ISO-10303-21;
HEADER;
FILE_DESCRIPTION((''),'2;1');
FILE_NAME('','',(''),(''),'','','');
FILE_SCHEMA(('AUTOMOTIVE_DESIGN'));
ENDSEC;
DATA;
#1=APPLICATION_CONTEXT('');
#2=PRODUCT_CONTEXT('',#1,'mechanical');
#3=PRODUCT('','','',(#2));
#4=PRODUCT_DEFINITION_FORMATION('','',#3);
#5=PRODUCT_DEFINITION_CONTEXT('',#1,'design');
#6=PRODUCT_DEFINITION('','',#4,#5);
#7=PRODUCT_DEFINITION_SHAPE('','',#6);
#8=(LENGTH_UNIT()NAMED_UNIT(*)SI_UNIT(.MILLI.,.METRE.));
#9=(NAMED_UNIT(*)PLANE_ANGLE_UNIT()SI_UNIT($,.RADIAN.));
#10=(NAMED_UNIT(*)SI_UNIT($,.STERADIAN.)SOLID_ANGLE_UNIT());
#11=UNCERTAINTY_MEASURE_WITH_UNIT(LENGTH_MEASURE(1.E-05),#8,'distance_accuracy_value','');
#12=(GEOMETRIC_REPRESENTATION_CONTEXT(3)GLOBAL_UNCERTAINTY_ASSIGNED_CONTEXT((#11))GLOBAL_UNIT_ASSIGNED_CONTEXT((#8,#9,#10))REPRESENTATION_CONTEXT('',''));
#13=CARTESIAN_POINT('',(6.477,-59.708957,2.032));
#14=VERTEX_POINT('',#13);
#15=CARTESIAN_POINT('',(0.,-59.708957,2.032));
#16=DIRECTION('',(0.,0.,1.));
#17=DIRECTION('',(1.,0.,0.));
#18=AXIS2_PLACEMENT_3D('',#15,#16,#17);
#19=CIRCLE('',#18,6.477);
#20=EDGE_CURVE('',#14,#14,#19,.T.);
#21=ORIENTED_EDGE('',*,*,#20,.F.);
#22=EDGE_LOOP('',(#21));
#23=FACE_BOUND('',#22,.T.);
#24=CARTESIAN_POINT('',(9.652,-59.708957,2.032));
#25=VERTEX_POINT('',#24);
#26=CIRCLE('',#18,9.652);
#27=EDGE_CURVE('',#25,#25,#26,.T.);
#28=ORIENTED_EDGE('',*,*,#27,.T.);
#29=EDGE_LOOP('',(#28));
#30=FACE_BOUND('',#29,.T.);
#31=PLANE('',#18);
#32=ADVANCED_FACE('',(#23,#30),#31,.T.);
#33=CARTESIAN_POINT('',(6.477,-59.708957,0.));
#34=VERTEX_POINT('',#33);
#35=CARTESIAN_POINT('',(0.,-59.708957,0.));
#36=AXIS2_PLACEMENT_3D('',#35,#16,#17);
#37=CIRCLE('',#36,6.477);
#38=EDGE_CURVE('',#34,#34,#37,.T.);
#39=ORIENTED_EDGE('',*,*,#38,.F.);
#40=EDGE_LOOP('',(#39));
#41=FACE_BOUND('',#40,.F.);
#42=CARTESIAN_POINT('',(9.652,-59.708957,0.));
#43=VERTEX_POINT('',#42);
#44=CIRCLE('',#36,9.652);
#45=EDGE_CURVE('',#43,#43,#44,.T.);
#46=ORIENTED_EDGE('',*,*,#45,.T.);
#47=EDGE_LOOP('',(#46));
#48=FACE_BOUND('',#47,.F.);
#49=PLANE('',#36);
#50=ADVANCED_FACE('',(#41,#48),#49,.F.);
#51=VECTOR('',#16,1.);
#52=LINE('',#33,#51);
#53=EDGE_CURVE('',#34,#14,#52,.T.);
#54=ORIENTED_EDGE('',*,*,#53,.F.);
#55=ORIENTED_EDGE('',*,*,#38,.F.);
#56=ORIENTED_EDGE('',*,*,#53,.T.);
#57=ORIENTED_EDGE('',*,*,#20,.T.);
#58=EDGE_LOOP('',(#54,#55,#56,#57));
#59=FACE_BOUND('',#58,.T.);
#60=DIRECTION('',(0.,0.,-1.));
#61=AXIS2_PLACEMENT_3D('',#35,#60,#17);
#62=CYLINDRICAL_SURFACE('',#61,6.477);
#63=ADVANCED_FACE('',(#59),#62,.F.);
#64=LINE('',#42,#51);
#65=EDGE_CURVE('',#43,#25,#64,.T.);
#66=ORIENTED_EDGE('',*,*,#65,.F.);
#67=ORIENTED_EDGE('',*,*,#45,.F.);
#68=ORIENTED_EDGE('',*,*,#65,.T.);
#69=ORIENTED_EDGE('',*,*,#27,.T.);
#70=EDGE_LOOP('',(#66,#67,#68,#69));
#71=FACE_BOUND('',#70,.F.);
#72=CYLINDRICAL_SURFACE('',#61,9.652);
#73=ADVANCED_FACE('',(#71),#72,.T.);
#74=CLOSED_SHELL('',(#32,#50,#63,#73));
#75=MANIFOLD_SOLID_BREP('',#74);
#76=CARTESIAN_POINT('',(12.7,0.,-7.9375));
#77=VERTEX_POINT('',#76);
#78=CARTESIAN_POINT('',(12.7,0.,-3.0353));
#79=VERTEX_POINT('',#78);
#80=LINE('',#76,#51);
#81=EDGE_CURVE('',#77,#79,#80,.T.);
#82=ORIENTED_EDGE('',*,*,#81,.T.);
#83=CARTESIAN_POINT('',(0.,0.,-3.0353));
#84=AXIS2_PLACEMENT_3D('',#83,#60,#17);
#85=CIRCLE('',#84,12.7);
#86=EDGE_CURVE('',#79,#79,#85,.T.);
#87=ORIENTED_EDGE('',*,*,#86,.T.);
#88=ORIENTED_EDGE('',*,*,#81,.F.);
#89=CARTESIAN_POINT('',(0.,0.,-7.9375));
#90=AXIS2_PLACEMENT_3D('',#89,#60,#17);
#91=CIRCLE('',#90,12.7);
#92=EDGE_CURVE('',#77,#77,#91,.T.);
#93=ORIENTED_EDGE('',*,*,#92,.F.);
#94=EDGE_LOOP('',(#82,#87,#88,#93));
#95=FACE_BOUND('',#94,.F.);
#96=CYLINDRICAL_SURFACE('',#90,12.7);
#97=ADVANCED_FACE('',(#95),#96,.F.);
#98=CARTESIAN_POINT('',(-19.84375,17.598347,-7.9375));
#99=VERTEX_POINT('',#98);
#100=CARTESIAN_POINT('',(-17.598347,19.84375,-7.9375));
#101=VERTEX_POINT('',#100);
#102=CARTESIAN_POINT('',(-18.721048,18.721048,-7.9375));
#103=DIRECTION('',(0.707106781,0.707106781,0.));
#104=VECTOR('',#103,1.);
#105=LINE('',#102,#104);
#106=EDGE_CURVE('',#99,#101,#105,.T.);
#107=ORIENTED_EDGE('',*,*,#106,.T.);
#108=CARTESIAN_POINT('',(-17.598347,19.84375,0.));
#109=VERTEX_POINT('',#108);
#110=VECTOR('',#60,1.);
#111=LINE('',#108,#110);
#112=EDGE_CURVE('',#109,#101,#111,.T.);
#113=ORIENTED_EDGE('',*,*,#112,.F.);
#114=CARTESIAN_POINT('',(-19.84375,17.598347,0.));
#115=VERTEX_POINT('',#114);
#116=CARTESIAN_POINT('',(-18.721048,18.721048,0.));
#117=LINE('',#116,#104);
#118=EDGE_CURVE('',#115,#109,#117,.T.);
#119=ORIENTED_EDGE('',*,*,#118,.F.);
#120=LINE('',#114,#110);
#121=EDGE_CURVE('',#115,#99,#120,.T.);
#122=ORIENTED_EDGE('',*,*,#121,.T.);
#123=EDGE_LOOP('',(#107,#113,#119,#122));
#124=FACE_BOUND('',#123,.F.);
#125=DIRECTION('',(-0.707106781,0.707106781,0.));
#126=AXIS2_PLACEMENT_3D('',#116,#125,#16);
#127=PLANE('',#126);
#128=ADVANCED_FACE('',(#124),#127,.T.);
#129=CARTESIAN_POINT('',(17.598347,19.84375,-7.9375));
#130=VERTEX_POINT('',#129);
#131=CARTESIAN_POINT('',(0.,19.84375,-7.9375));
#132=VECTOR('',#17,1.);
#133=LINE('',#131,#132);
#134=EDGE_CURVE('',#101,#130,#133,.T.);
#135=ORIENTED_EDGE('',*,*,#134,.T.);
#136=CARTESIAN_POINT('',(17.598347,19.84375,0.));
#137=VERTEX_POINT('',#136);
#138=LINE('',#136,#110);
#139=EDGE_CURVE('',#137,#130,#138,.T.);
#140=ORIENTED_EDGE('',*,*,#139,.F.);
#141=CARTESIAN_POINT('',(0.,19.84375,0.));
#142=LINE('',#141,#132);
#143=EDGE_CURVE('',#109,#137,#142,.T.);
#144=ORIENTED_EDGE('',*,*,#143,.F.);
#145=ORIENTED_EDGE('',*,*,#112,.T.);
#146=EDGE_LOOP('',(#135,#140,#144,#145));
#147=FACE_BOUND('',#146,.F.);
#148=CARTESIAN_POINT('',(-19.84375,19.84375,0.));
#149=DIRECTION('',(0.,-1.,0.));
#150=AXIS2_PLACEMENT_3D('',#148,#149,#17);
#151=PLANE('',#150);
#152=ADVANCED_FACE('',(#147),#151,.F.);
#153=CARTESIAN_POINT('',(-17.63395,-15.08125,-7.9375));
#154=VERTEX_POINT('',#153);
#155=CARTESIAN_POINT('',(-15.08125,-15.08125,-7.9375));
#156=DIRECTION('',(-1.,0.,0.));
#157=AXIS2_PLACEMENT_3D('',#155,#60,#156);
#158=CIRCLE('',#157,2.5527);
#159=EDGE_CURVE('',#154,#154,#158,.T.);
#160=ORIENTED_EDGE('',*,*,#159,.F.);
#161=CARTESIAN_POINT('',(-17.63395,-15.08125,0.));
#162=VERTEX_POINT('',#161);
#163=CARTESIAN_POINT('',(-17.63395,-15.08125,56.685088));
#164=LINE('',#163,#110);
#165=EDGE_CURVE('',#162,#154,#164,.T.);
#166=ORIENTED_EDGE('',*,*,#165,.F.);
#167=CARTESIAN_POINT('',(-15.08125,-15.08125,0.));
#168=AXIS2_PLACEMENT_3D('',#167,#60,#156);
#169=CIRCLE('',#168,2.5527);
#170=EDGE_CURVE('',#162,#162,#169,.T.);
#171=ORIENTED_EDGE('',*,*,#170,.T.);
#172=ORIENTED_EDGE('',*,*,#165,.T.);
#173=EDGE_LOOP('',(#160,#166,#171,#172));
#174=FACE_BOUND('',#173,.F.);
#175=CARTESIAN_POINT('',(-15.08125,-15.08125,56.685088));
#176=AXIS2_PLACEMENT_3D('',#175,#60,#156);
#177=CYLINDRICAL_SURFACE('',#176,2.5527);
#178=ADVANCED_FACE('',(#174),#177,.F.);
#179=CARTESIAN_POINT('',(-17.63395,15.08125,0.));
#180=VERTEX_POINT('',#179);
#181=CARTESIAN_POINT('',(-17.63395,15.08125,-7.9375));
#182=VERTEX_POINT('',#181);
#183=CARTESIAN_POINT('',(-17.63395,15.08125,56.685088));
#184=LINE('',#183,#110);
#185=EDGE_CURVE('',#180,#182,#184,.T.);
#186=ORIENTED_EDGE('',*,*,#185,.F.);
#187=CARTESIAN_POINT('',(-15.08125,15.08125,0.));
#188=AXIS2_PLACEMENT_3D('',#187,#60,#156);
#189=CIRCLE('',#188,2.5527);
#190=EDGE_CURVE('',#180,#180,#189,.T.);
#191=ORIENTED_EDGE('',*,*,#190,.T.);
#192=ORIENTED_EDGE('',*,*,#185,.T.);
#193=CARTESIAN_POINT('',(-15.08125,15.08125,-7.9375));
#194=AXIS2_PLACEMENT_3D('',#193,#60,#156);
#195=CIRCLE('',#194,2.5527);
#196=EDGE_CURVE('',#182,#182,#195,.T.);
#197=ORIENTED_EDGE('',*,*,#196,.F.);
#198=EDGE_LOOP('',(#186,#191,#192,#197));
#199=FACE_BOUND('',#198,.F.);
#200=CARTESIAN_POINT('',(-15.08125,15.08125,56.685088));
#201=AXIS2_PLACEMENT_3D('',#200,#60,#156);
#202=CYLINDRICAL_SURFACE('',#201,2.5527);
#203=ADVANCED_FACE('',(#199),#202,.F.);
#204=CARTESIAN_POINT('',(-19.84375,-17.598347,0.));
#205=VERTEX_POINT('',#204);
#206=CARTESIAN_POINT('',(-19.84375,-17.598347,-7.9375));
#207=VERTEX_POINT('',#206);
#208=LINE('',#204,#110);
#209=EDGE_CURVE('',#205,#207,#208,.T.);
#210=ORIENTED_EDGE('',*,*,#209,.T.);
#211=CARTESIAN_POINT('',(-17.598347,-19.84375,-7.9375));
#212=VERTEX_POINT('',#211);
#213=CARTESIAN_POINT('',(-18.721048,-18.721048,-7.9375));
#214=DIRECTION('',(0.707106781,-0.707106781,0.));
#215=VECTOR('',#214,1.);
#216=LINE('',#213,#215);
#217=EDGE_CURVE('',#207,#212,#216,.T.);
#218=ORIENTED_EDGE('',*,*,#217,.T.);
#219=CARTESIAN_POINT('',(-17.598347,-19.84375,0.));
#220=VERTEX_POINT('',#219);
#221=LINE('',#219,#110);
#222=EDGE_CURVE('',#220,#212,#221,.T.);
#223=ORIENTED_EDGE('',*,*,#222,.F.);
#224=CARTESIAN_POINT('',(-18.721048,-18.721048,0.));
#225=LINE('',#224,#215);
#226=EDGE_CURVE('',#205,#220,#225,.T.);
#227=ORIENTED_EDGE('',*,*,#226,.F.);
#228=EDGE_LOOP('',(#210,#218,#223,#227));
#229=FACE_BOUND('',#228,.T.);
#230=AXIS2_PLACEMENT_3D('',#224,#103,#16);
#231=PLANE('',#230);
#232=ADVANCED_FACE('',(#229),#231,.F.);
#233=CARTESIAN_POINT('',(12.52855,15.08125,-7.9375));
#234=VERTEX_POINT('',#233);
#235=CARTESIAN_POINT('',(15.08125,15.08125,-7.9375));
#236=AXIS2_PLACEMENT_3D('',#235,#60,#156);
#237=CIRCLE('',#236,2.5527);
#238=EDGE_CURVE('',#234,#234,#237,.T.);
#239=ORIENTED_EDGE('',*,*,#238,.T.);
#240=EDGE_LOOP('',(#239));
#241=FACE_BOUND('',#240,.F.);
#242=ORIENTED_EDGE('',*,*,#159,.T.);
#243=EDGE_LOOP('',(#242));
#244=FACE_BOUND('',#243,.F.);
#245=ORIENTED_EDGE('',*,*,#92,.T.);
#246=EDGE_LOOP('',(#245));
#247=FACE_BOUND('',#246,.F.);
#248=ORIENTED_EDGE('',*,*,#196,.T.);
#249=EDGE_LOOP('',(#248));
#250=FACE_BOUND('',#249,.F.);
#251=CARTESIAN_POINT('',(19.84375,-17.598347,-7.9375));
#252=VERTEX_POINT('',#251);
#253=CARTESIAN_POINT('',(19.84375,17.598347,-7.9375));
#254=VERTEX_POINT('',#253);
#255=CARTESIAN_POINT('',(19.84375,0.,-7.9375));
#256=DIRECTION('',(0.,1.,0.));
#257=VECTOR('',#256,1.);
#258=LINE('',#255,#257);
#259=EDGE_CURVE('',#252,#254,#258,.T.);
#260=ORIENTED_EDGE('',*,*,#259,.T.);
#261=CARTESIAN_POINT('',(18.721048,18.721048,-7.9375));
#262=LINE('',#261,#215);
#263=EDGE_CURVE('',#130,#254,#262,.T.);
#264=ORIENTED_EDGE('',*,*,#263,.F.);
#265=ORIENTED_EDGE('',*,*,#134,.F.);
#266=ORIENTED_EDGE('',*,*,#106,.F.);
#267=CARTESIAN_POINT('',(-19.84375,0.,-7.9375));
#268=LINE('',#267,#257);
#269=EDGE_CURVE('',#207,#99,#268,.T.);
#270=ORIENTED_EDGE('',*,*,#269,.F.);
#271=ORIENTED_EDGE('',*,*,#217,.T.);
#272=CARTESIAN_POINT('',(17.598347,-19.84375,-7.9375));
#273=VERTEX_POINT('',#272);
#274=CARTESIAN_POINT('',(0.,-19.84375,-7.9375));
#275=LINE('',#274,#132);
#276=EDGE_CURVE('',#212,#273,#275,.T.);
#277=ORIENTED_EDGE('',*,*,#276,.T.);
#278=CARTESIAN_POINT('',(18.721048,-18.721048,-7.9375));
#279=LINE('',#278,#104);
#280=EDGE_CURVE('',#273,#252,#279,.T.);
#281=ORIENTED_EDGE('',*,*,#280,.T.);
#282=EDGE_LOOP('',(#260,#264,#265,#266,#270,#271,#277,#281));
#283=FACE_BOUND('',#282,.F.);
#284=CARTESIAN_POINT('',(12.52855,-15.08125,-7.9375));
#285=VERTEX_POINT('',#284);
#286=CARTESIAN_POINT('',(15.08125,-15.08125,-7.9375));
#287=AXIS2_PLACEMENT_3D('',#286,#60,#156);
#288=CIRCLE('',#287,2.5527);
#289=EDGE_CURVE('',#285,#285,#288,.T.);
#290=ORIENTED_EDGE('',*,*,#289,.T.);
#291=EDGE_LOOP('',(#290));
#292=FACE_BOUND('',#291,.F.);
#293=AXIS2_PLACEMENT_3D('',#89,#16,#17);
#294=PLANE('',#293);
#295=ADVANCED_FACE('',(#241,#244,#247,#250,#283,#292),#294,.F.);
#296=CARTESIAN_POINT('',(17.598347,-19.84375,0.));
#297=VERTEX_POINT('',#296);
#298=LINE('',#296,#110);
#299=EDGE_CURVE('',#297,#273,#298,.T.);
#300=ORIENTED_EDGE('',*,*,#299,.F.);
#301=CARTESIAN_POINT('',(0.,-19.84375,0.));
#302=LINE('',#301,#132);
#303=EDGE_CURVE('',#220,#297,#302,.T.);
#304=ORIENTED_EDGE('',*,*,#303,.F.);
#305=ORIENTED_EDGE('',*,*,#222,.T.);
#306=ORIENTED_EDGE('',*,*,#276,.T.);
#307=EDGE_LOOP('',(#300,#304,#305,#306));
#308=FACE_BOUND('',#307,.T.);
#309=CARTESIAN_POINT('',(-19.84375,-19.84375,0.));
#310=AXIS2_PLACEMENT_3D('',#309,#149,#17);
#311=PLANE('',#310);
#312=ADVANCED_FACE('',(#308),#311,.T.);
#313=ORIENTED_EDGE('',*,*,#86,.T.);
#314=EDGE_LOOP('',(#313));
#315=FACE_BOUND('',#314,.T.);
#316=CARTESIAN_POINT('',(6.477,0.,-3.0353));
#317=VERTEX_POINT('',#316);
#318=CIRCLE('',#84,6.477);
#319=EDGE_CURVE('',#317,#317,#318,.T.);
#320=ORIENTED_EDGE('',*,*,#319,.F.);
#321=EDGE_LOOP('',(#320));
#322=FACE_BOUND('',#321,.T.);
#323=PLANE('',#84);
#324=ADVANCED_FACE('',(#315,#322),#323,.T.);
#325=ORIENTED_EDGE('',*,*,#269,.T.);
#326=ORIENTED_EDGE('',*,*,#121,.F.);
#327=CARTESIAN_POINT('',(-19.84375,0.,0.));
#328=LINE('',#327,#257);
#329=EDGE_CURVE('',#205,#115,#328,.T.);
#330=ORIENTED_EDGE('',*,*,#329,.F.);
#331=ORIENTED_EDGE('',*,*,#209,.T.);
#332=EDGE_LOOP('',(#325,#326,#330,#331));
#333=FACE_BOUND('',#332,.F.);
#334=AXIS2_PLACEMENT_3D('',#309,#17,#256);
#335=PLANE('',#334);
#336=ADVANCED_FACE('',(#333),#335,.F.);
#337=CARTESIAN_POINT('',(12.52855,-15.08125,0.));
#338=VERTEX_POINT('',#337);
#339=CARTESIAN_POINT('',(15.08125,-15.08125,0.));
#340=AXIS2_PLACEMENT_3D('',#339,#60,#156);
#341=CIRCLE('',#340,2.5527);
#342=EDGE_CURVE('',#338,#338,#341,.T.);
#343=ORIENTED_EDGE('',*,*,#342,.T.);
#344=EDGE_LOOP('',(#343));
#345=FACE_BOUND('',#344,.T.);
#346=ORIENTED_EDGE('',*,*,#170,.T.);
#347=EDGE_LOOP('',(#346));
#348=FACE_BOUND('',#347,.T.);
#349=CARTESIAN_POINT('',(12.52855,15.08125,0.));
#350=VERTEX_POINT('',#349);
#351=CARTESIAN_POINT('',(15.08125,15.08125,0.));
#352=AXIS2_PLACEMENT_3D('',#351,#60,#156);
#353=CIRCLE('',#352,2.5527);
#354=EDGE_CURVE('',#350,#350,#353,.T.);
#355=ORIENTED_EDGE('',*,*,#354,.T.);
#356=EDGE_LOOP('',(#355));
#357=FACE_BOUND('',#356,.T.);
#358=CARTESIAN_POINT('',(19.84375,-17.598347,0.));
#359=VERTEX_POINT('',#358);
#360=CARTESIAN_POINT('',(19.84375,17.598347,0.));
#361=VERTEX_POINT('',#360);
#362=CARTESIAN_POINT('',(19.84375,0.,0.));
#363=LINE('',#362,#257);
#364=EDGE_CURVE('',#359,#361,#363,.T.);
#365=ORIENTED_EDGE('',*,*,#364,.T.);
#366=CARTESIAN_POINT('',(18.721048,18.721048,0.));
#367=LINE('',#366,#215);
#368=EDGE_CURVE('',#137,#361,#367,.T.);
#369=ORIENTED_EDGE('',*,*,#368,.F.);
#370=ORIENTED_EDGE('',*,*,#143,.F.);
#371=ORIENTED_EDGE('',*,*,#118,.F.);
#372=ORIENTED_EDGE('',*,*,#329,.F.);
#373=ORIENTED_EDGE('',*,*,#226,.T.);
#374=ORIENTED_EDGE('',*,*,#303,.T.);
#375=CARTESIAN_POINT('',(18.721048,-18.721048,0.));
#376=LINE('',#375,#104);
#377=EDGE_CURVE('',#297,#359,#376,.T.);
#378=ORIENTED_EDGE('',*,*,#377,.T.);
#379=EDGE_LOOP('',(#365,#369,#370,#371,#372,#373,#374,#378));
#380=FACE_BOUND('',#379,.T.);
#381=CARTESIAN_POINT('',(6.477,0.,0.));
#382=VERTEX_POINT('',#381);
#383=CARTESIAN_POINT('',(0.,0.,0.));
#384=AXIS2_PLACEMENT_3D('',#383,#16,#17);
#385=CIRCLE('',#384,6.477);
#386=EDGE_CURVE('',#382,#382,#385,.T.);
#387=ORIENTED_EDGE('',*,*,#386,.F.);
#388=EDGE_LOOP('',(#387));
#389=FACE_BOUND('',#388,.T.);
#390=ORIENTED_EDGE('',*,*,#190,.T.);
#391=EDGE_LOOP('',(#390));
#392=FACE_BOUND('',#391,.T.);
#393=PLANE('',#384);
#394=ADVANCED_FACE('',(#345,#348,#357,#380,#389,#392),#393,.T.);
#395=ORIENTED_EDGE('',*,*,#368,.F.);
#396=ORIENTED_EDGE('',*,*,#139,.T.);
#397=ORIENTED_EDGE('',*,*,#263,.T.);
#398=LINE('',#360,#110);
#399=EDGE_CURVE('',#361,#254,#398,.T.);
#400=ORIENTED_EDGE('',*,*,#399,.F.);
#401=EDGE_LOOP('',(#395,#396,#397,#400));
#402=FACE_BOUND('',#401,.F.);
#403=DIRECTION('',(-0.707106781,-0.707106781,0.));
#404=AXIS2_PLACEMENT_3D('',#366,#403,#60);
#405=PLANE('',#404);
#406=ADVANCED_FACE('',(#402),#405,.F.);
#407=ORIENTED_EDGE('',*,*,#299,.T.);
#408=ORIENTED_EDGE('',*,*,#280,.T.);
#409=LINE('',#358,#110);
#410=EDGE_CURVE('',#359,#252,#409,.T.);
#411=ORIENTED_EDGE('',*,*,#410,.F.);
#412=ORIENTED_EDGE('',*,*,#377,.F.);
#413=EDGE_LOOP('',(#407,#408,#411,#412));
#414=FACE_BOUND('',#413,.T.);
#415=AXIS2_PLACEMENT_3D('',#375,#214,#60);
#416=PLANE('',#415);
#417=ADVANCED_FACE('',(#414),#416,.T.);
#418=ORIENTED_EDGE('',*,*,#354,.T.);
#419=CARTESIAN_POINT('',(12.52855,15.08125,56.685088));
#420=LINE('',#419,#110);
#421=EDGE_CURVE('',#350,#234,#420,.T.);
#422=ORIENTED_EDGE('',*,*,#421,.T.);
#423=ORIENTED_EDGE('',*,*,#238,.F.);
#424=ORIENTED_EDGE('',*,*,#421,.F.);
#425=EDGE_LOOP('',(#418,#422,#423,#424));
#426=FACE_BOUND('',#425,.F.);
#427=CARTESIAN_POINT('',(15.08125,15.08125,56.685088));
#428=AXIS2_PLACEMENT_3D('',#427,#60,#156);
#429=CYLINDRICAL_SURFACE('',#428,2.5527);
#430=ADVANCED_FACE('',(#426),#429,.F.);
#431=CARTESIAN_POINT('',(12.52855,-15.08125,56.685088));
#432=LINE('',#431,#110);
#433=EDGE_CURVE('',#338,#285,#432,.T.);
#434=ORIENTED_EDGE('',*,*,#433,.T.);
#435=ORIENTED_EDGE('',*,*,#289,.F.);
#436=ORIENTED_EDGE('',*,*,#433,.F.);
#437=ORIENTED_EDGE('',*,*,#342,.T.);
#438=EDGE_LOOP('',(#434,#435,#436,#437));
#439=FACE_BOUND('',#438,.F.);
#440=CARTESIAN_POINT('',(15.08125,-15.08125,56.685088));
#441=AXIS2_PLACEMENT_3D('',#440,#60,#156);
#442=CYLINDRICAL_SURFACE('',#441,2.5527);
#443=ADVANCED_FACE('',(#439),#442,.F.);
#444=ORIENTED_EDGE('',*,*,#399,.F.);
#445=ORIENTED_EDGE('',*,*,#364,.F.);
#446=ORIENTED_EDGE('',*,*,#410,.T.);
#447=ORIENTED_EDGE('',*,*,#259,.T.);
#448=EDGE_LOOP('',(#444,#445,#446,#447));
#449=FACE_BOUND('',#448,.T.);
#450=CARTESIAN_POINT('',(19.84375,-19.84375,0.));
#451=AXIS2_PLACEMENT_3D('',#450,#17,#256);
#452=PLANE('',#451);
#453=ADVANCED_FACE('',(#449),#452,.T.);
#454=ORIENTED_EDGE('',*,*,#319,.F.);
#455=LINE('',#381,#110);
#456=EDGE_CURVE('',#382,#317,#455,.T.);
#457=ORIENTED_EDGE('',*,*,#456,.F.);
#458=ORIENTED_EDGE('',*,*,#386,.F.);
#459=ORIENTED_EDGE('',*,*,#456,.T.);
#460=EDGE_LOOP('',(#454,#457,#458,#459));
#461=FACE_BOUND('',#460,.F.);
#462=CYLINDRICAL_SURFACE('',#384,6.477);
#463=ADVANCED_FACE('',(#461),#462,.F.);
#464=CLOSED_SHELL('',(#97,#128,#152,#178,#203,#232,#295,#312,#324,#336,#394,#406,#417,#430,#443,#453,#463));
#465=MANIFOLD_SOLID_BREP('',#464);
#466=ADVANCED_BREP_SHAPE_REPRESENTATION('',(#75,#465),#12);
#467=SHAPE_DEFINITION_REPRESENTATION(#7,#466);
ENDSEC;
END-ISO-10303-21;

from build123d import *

# Parameters (mm, degrees)
F0_W     = 39.6875
F0_H     = 39.6875
F0_R     = 12.7
F0_R_2   = 6.477
F1_DEPTH = 7.9375
F2_R     = 12.7
F2_R_2   = 6.477
F3_DEPTH = 4.9022
F4_D     = 5.1054
F5_SIZE  = 2.2454031117
F0_R_3   = 9.652
F6_DEPTH = 2.032


with BuildPart() as f1:
    # F0 (on Top) → F1 (new body)
    with BuildSketch(Plane.XY):
        Rectangle(F0_W, F0_H)
        Circle(F0_R, mode=Mode.SUBTRACT)
        Circle(F0_R)
        Circle(F0_R_2, mode=Mode.SUBTRACT)
    extrude(amount=-F1_DEPTH)

    # F2 (on face) → F3 (cut)
    with BuildSketch(Plane(origin=(0, 0, -7.9375), x_dir=(1, 0, 0), z_dir=(0, 0, -1))):
        Circle(F2_R)
        Circle(F2_R_2, mode=Mode.SUBTRACT)
    extrude(amount=-F3_DEPTH, mode=Mode.SUBTRACT)

    # F4 (through all)
    with Locations(Plane.XY):
        with Locations((-15.08125, -15.08125), (15.08125, -15.08125), (15.08125, 15.08125), (-15.08125, 15.08125)):
            Hole(F4_D / 2)

    # F5
    f5_edges = [f1.edges().sort_by_distance(p)[0] for p in [
        (-19.84375, -19.84375, -3.96875),
        (-19.84375, 19.84375, -3.96875),
        (19.84375, 19.84375, -3.96875),
        (19.84375, -19.84375, -3.96875),
    ]]
    chamfer(f5_edges, length=F5_SIZE)


with BuildPart() as f6:
    # F0 (on Top) → F6 (new body)
    with BuildSketch(Plane.XY):
        with Locations((0, -59.708956629)):
            Circle(F0_R_3)
        with Locations((0, -59.708956629)):
            Circle(F0_R_2, mode=Mode.SUBTRACT)
    extrude(amount=F6_DEPTH)


solid = Compound([f1.part, f6.part])
